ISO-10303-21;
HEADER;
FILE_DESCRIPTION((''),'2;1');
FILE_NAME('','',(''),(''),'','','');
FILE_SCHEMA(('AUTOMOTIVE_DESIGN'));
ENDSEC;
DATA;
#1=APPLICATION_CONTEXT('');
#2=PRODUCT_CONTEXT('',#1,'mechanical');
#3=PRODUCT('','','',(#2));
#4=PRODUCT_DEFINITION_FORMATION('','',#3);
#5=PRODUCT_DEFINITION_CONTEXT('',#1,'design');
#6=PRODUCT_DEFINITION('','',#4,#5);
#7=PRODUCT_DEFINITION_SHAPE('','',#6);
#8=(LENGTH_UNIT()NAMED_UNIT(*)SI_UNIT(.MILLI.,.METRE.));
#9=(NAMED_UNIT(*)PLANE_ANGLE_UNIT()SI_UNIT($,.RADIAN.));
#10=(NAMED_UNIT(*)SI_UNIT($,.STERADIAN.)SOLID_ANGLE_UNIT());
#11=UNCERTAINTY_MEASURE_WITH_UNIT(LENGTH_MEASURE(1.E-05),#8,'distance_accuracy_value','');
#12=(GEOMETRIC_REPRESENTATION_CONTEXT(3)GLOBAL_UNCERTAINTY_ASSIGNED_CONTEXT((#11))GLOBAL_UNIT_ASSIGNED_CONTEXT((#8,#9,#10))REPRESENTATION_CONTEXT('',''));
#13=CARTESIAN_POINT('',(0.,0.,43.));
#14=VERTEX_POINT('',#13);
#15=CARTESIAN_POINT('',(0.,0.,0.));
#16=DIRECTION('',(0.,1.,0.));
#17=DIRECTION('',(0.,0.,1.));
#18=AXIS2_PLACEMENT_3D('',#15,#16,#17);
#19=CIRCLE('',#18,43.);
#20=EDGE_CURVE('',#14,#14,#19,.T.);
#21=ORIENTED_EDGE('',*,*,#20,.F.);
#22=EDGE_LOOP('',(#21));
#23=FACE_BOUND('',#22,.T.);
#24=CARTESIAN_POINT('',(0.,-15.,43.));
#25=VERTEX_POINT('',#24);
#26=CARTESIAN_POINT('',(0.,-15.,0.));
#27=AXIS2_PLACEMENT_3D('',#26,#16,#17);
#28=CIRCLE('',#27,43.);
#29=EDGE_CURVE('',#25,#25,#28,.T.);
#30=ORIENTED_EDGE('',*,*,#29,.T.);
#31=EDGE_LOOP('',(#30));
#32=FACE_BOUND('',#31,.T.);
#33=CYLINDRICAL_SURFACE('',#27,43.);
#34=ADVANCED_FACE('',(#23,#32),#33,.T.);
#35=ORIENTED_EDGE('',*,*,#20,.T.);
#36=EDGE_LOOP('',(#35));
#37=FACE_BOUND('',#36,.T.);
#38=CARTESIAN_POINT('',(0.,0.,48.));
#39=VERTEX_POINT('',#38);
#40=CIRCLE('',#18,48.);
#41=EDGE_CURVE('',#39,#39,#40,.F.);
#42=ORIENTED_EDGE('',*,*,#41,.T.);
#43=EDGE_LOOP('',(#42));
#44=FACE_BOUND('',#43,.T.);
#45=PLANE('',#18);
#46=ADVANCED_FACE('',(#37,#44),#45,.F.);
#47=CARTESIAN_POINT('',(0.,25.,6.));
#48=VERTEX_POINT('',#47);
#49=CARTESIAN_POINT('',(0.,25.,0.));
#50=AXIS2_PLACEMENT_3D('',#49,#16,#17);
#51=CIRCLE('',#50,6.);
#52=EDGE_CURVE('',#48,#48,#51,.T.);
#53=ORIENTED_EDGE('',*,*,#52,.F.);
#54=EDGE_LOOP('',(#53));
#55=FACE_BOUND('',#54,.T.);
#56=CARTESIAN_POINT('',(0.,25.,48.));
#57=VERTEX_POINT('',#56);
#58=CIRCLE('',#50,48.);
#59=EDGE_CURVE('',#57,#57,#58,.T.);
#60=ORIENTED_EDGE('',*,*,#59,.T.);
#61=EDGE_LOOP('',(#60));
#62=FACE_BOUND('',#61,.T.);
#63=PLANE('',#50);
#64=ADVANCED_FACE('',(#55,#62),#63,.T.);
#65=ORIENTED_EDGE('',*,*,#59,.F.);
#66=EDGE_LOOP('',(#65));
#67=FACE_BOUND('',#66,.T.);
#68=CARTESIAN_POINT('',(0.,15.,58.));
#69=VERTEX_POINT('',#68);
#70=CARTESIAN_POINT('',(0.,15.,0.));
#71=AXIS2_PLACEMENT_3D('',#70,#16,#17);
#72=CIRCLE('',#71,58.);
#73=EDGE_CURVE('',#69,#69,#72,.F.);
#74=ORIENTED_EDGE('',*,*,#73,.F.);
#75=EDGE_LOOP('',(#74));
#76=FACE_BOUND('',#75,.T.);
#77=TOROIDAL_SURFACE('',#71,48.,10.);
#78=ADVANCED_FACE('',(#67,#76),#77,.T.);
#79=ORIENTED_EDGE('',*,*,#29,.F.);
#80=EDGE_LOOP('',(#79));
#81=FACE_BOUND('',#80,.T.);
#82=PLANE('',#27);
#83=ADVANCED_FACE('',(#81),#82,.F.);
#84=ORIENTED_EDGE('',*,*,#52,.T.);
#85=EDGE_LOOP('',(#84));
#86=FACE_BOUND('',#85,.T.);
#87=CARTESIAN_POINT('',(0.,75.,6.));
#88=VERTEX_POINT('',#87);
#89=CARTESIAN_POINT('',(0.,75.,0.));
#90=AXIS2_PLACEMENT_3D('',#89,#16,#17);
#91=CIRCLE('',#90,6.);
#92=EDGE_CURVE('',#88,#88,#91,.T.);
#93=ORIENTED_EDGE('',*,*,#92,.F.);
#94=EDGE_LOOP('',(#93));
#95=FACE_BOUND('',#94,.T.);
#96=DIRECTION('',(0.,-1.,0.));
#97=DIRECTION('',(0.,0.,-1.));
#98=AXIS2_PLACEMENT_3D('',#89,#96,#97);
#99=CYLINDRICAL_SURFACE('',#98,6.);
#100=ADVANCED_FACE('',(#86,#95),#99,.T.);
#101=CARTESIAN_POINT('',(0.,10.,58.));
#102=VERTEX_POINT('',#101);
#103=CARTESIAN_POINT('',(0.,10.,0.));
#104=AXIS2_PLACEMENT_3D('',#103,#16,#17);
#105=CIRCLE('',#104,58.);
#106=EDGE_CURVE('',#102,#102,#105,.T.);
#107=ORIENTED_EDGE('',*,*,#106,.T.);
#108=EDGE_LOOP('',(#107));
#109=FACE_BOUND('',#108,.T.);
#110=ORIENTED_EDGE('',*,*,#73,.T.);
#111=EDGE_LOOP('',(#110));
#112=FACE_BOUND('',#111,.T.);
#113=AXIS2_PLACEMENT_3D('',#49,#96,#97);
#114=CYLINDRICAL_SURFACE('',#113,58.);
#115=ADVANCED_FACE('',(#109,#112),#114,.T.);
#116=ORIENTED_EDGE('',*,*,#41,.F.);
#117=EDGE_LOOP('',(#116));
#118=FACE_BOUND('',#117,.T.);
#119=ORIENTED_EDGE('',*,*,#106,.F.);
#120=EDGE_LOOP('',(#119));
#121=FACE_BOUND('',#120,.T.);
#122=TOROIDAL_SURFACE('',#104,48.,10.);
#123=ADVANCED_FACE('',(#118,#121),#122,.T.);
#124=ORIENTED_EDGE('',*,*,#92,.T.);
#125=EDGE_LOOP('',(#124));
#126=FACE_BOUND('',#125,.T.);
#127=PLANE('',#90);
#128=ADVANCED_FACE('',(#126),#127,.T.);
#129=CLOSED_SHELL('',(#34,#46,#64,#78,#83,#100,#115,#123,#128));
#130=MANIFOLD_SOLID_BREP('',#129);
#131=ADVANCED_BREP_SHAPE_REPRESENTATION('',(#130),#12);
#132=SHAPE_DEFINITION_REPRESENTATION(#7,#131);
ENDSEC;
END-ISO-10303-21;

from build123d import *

# Parameters (mm, degrees)
SKETCH1_R           = 58
BOSS_EXTRUDE1_DEPTH = 25
SKETCH2_R           = 43
BOSS_EXTRUDE2_DEPTH = 15
FILLET1_R           = 10
BOSS_EXTRUDE3_START = 25
SKETCH3_R           = 6
BOSS_EXTRUDE3_DEPTH = 50


with BuildPart() as part:
    # Sketch1 → Boss-Extrude1 (new body)
    with BuildSketch(Plane(origin=(0, 0, 0), x_dir=(1, 0, 0), z_dir=(0, 1, 0))):
        with Locations(Location((0, 0, 0), (0, 0, 270))):
            Circle(SKETCH1_R)
    extrude(amount=BOSS_EXTRUDE1_DEPTH)

    # Sketch2 → Boss-Extrude2 (add)
    with BuildSketch(Plane(origin=(0, 0, 0), x_dir=(1, 0, 0), z_dir=(0, 1, 0))):
        with Locations(Location((0, 0, 0), (0, 0, 270))):
            Circle(SKETCH2_R)
    extrude(amount=-BOSS_EXTRUDE2_DEPTH)

    # Fillet1
    fillet1_edges = [part.edges().sort_by_distance(p)[0] for p in [
        (0, 0, -58),
        (0, 25, -58),
    ]]
    fillet(fillet1_edges, radius=FILLET1_R)

    # Sketch3 → Boss-Extrude3 (add)
    with BuildSketch(Plane(origin=(0, 0, 0), x_dir=(1, 0, 0), z_dir=(0, 1, 0)).offset(BOSS_EXTRUDE3_START)):
        with Locations(Location((0, 0, 0), (0, 0, 270))):
            Circle(SKETCH3_R)
    extrude(amount=BOSS_EXTRUDE3_DEPTH)


solid = part.part
